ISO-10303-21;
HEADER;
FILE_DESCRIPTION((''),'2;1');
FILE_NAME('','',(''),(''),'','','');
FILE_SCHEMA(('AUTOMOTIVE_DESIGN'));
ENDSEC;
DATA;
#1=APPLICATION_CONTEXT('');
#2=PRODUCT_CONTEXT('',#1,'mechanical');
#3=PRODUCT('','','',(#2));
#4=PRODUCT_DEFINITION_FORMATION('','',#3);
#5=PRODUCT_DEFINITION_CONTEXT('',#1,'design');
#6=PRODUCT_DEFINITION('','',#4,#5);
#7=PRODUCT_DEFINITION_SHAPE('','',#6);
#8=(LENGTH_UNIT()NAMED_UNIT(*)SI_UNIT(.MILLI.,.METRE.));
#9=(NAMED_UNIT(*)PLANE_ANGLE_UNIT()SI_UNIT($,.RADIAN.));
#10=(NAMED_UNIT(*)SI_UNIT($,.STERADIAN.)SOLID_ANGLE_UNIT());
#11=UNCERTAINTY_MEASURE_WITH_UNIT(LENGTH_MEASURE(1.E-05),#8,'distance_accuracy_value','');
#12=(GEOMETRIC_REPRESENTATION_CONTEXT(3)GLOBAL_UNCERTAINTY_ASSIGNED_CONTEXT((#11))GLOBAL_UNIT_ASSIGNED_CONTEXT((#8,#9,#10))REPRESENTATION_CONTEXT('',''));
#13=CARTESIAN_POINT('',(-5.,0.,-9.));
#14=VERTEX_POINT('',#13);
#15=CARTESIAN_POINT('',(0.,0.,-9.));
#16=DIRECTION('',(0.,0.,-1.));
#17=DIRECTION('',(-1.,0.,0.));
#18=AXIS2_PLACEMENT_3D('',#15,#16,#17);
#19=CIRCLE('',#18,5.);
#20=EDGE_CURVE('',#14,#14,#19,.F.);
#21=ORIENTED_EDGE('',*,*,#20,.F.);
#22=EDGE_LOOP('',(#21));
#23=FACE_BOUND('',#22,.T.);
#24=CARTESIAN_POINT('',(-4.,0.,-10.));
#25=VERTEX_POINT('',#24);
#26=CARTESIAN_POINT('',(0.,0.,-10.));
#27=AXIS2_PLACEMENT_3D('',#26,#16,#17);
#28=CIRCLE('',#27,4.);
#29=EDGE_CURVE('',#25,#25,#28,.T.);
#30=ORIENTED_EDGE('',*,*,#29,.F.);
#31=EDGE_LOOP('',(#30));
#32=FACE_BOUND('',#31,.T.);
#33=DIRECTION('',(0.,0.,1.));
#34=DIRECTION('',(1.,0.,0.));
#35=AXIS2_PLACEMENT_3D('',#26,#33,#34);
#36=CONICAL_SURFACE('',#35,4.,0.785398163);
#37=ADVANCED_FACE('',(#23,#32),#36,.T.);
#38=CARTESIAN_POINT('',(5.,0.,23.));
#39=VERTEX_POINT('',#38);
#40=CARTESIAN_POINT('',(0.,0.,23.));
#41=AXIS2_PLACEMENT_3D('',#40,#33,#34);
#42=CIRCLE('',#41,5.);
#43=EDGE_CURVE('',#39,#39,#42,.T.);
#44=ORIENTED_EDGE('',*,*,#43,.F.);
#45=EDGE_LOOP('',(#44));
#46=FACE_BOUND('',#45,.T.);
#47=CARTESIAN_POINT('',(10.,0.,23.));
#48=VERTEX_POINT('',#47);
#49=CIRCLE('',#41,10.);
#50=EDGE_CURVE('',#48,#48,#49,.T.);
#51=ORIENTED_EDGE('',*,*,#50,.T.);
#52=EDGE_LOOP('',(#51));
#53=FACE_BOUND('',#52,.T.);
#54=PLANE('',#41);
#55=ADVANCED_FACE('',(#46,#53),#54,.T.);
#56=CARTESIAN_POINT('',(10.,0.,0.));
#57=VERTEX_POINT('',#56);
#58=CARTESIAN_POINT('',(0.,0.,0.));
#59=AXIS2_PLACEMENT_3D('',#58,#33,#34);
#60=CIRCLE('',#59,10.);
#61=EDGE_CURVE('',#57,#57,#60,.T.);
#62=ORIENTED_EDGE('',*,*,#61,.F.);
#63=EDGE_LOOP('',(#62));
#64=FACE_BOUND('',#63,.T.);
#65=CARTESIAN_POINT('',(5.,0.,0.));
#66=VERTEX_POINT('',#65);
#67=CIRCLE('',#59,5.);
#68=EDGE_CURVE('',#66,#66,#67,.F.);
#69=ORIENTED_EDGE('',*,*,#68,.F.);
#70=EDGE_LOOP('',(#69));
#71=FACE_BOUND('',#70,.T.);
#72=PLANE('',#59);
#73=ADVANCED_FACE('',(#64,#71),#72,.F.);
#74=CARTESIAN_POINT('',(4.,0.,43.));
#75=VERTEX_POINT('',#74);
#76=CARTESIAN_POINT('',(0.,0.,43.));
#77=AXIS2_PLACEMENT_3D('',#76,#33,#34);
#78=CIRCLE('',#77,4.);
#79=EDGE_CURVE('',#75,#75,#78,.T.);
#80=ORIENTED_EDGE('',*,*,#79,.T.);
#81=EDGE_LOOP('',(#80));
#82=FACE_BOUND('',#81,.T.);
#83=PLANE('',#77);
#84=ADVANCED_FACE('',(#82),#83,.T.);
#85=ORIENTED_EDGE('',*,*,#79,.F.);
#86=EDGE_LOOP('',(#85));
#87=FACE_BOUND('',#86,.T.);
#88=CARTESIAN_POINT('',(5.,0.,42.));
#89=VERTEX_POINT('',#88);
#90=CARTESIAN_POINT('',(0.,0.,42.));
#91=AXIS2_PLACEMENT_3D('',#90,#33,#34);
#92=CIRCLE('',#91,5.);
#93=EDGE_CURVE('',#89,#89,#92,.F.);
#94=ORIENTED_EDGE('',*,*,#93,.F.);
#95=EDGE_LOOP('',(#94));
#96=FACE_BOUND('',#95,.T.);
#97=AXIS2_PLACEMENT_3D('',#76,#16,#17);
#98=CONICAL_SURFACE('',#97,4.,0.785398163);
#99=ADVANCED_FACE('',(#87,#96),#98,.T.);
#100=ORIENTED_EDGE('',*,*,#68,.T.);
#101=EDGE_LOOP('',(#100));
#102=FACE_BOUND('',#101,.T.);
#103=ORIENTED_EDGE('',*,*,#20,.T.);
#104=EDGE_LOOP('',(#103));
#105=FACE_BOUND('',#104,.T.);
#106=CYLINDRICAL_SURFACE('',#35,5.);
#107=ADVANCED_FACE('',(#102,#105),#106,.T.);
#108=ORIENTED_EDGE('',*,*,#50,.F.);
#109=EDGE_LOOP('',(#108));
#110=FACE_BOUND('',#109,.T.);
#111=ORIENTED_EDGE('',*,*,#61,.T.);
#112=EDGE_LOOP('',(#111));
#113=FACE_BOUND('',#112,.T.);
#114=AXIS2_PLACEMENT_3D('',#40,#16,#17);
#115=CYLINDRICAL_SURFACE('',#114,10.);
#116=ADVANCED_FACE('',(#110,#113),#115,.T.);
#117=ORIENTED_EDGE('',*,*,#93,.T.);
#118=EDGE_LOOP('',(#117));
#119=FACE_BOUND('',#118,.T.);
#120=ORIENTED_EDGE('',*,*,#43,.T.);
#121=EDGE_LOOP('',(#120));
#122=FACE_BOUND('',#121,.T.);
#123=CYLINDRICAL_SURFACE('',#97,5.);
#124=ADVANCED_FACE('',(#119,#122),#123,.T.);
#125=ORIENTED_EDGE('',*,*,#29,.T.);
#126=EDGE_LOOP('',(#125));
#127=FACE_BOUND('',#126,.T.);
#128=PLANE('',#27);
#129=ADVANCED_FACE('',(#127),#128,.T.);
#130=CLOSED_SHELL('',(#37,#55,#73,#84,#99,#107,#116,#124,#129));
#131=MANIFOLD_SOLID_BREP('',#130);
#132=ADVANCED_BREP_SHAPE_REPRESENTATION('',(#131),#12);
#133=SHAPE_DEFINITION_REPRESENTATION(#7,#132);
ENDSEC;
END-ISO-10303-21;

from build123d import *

# Parameters (mm, degrees)
SKETCH2_R           = 10
BOSS_EXTRUDE1_DEPTH = 23
SKETCH3_R           = 5
BOSS_EXTRUDE2_DEPTH = 20
BOSS_EXTRUDE3_START = 10
SKETCH4_R           = 5
BOSS_EXTRUDE3_DEPTH = 10
CHAMFER1_SIZE       = 1
CHAMFER2_SIZE       = 1


with BuildPart() as part:
    # Sketch2 → Boss-Extrude1 (new body)
    with BuildSketch(Plane.XY):
        Circle(SKETCH2_R)
    extrude(amount=BOSS_EXTRUDE1_DEPTH)

    # Sketch3 → Boss-Extrude2 (add)
    with BuildSketch(Plane.XY.offset(23)):
        Circle(SKETCH3_R)
    extrude(amount=BOSS_EXTRUDE2_DEPTH)

    # Sketch4 → Boss-Extrude3 (add)
    with BuildSketch(Plane(origin=(0, 0, 0), x_dir=(-1, 0, 0), z_dir=(0, 0, -1)).offset(BOSS_EXTRUDE3_START)):
        with Locations(Location((0, 0, 0), (0, 0, 180))):
            Circle(SKETCH4_R)
    extrude(amount=-BOSS_EXTRUDE3_DEPTH)

    # Chamfer1
    chamfer1_edges = [part.edges().sort_by_distance(p)[0] for p in [
        (-5, 0, -10),
    ]]
    chamfer(chamfer1_edges, length=CHAMFER1_SIZE)

    # Chamfer2
    chamfer2_edges = [part.edges().sort_by_distance(p)[0] for p in [
        (-5, 0, 43),
    ]]
    chamfer(chamfer2_edges, length=CHAMFER2_SIZE)


solid = part.part
